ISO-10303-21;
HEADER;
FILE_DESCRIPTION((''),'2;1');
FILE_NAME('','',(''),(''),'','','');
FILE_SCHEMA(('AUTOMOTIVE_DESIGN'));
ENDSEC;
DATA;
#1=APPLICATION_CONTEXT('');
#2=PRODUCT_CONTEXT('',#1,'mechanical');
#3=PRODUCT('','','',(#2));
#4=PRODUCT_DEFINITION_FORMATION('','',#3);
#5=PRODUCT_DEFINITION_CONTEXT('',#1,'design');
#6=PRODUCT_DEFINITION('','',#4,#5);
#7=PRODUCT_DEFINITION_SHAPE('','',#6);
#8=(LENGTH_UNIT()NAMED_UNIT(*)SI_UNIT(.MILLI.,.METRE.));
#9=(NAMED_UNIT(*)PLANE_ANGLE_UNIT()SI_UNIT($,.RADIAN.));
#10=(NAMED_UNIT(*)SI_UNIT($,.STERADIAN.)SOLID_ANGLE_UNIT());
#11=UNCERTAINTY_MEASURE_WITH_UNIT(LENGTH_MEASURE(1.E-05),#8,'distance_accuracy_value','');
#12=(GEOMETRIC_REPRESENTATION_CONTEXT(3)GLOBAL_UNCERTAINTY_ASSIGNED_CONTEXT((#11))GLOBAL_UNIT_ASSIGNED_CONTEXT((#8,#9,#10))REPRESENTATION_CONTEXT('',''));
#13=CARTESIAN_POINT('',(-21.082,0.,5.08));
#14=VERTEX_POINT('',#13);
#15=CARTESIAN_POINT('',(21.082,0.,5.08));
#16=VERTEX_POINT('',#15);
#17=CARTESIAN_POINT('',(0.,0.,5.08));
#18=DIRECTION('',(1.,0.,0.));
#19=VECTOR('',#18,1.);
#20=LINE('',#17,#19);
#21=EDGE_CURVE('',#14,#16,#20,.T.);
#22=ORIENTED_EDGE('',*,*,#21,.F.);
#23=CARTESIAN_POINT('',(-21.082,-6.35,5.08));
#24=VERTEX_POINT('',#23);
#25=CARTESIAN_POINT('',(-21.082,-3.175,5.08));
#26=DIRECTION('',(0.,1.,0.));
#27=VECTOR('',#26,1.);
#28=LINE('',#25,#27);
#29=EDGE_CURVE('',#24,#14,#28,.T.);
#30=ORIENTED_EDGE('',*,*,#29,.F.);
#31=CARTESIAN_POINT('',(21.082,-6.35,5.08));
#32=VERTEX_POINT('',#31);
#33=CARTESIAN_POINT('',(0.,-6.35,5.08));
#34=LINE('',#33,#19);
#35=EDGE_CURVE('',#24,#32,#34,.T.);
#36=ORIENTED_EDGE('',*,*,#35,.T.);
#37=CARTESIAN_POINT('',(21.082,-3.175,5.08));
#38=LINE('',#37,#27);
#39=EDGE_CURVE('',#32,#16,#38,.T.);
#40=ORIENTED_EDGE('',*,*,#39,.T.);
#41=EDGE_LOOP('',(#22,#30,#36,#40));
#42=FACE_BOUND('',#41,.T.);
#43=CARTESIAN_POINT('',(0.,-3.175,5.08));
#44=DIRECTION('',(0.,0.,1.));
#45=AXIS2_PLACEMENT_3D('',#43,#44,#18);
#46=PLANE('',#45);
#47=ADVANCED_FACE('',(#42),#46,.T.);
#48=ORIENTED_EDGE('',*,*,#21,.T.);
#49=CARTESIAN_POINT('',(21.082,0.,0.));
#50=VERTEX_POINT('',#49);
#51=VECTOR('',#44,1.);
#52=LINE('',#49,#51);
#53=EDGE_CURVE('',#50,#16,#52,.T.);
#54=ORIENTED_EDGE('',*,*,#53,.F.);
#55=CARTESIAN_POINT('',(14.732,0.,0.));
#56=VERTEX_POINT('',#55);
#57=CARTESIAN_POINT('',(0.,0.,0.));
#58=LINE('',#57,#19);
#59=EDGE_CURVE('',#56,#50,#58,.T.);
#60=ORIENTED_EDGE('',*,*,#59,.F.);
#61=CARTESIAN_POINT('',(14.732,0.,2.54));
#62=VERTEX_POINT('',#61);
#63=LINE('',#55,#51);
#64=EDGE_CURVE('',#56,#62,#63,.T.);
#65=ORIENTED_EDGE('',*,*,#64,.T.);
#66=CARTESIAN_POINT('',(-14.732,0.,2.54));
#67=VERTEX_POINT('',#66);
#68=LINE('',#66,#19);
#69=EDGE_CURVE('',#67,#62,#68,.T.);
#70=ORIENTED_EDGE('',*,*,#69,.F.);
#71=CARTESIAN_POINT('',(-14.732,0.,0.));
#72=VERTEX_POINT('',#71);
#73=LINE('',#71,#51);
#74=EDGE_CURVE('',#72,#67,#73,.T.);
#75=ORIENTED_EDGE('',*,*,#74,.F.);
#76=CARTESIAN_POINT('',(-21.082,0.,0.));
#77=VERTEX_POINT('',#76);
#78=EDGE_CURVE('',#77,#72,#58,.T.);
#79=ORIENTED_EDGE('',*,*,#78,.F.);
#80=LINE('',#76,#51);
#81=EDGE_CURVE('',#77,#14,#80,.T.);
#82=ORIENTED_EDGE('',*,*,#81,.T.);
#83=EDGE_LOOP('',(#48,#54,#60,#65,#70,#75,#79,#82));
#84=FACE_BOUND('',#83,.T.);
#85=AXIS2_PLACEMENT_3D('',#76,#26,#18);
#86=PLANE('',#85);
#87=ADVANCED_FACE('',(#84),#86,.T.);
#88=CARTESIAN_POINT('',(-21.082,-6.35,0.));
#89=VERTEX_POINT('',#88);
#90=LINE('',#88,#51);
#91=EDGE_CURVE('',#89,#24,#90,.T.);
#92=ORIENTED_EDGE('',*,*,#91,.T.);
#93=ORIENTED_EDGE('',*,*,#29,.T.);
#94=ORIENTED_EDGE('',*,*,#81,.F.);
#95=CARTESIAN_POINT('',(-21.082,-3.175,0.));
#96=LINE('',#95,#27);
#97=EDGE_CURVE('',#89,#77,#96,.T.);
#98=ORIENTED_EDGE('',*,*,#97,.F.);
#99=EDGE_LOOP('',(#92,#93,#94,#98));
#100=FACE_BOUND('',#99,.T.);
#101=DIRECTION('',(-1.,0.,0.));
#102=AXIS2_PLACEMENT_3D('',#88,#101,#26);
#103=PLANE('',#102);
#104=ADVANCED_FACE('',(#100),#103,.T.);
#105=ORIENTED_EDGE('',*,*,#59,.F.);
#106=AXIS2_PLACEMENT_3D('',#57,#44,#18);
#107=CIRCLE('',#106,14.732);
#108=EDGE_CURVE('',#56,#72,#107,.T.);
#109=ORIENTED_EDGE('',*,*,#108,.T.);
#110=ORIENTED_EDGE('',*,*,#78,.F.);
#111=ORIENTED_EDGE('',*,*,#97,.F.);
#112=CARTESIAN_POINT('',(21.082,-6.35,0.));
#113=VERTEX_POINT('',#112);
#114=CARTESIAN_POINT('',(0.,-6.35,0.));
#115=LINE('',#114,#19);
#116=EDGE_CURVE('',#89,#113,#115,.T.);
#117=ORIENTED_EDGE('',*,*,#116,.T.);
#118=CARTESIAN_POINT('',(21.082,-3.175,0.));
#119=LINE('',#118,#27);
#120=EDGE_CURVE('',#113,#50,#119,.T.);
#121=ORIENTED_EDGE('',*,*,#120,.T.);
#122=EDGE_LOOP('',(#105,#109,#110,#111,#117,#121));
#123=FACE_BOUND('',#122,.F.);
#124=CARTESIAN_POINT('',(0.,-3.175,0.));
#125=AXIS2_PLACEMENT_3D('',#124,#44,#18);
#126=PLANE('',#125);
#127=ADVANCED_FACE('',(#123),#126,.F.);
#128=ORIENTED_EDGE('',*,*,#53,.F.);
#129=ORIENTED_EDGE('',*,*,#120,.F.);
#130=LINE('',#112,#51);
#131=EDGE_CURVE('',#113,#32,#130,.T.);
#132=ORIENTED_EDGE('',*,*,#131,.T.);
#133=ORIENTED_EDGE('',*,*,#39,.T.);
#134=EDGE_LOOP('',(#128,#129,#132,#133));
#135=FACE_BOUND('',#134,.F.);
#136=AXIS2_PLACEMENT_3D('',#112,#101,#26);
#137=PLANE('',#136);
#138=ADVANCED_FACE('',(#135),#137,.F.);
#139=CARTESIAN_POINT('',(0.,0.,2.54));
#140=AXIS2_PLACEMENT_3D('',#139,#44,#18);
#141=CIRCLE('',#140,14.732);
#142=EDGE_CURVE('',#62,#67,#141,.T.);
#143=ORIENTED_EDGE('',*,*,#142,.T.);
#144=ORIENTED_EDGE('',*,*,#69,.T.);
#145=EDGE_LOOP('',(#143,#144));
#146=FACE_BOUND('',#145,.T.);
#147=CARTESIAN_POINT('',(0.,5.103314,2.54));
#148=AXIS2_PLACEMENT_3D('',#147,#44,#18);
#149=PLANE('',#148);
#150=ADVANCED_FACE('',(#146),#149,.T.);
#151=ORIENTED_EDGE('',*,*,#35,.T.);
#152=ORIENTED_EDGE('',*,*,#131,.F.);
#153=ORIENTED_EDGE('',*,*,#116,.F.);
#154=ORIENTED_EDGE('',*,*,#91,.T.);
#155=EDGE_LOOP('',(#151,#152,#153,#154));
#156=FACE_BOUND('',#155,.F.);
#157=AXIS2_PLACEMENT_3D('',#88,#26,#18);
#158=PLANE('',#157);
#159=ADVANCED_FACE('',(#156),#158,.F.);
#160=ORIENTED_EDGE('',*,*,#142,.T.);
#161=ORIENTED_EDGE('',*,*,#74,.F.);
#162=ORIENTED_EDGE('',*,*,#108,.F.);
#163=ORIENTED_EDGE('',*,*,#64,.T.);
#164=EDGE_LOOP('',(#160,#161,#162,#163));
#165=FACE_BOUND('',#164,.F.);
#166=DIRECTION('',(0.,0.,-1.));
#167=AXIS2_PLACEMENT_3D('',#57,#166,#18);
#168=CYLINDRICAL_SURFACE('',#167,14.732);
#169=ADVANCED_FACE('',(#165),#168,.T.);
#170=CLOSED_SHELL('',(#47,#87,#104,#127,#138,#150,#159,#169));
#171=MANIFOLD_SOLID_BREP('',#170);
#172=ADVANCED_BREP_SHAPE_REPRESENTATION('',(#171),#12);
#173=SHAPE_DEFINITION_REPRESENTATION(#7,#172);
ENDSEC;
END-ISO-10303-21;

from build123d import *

# Parameters (mm, degrees)
F1_DEPTH = 2.54
F2_W     = 42.164
F2_H     = 6.35
F3_DEPTH = 5.08


with BuildPart() as f1:
    # F0 (on Top) → F1 (new body)
    with BuildSketch(Plane.XY):
        with BuildLine():
            Line((-14.732, 0), (14.732, 0))
            ThreePointArc((14.732, 0), (0, 14.732), (-14.732, 0))
        make_face()
    extrude(amount=F1_DEPTH)

    # F2 (on Top) → F3 (join)
    with BuildSketch(Plane.XY):
        with Locations((0, -3.175)):
            Rectangle(F2_W, F2_H)
    extrude(amount=F3_DEPTH)


solid = f1.part
